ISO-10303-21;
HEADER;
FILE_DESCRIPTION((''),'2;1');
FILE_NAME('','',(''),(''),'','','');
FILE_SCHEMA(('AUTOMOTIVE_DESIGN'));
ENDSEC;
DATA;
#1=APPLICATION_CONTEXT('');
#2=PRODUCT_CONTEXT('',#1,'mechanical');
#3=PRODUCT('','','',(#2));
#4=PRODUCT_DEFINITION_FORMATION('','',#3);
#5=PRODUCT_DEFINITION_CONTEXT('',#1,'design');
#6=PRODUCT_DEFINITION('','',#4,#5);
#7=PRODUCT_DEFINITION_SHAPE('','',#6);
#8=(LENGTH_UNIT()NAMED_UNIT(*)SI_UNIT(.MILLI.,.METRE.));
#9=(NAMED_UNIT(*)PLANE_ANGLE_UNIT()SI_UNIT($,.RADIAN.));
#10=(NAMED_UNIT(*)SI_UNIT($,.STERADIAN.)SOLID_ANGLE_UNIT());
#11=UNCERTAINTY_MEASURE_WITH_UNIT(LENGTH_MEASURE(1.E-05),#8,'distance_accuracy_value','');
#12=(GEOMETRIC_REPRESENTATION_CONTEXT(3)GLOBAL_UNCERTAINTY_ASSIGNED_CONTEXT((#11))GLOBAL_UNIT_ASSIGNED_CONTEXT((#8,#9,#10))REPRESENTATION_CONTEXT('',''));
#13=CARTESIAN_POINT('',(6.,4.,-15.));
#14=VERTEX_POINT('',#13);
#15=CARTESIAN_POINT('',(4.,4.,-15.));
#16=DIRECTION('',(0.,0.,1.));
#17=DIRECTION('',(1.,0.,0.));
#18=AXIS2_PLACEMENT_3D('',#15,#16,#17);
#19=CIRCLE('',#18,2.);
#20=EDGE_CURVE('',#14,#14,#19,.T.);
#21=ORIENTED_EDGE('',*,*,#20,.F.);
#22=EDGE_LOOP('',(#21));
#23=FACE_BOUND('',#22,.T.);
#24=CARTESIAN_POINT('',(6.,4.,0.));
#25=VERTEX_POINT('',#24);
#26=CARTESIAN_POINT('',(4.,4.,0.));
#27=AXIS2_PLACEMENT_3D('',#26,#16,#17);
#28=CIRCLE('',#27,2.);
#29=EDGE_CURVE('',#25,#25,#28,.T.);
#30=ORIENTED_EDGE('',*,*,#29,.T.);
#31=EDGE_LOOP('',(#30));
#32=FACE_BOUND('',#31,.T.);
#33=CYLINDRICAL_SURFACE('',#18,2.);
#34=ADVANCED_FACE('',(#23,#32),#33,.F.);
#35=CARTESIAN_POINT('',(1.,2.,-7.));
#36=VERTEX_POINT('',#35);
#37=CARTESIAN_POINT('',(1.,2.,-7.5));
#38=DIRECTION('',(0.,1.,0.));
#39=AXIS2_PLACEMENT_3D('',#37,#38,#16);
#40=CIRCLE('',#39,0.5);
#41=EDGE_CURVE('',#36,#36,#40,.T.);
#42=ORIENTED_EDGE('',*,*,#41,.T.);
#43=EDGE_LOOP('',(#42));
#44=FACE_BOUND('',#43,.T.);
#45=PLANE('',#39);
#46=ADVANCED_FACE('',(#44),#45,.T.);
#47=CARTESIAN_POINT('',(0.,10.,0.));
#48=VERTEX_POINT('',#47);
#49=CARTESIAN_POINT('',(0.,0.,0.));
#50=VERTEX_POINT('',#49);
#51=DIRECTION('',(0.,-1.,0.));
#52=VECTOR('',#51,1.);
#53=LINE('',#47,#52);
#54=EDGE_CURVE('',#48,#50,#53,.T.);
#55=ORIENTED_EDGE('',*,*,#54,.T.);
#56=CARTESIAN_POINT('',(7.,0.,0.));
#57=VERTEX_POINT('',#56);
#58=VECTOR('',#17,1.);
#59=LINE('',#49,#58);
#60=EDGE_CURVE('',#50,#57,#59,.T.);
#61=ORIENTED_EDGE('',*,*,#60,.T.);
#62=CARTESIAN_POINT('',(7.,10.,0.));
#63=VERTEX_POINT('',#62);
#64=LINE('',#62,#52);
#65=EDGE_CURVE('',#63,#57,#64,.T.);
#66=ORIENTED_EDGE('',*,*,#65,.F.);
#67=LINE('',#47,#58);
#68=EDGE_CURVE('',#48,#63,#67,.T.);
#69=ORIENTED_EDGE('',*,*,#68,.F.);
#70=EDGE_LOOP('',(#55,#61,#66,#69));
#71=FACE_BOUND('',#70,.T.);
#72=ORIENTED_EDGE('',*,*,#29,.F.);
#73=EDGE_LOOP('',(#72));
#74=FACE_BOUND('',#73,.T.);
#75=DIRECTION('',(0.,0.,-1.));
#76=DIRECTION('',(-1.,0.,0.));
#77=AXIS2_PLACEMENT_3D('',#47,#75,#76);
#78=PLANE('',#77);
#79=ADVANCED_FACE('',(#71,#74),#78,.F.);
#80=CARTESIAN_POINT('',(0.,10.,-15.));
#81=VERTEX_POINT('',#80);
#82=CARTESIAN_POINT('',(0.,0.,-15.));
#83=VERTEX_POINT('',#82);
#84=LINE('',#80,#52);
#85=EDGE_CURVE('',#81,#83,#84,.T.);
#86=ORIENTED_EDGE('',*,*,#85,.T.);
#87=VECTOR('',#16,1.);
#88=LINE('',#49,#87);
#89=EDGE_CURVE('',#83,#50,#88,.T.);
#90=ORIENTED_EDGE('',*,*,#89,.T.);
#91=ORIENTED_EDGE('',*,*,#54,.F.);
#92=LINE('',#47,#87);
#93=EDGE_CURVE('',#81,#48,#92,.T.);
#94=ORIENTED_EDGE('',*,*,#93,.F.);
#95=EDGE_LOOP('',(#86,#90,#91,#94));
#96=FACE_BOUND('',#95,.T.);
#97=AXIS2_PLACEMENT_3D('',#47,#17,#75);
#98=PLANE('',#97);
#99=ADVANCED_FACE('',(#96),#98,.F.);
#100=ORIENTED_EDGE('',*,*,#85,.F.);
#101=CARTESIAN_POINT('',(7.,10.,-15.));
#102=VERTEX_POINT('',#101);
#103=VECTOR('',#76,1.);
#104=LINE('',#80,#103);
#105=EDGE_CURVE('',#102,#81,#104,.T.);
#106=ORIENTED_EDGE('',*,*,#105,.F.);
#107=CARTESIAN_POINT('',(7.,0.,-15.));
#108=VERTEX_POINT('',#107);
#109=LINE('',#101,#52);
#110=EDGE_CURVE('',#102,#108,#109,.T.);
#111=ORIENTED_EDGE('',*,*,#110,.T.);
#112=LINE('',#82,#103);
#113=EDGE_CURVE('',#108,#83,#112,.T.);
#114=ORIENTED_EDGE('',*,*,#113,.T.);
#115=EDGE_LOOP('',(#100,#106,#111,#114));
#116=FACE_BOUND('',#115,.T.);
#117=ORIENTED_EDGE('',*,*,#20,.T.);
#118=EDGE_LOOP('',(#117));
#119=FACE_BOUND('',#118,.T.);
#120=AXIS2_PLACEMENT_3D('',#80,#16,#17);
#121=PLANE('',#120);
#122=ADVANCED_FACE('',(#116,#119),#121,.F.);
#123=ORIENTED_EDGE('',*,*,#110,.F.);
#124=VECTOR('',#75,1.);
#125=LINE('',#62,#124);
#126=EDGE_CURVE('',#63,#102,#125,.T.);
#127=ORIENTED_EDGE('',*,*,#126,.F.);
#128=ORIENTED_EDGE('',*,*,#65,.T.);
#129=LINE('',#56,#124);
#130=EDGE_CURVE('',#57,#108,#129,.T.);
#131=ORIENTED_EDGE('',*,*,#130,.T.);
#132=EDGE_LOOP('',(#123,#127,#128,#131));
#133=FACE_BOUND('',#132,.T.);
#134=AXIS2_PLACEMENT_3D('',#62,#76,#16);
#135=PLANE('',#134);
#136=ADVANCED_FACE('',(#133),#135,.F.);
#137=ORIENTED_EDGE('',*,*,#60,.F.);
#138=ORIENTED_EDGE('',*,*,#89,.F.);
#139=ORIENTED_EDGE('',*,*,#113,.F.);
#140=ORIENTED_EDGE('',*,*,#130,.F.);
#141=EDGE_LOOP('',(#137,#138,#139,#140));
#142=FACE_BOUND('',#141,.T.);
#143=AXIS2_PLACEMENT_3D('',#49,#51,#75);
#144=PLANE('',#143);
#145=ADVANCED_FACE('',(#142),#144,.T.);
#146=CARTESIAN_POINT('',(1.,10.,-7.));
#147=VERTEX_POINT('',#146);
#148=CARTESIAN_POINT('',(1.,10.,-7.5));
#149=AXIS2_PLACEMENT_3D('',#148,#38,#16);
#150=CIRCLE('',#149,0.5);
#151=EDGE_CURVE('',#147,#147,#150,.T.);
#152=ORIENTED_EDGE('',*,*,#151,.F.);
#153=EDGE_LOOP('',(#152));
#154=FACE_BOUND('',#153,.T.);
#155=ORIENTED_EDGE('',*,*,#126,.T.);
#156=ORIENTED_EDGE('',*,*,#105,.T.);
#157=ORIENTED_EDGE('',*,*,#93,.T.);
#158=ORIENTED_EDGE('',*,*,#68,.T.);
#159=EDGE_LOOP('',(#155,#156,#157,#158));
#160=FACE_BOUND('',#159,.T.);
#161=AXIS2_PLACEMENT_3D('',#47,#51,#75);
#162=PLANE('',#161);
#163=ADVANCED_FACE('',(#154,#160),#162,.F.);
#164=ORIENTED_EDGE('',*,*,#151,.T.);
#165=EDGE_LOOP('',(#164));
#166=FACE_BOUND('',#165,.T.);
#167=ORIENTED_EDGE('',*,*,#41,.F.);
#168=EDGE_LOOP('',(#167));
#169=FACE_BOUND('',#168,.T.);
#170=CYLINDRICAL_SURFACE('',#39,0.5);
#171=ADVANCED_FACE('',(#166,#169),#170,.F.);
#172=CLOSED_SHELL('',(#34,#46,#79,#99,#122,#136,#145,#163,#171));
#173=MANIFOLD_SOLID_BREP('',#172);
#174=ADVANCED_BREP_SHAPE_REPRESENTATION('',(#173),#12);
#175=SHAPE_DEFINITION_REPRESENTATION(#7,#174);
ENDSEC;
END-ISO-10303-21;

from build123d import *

# Parameters (mm, degrees)
SKETCH_1_W          = 7
SKETCH_1_H          = 15
EXTRUDE_1_DEPTH     = 10
SKETCH_2_R          = 2
CUT_EXTRUDE_1_DEPTH = 16
SKETCH_3_R          = 0.5
CUT_EXTRUDE_2_DEPTH = 8


with BuildPart() as part:
    # 草图1 → 凸台-拉伸1 (new body)
    with BuildSketch(Plane(origin=(0, 0, 0), x_dir=(1, 0, 0), z_dir=(0, 1, 0))):
        with Locations((3.5, 7.5)):
            Rectangle(SKETCH_1_W, SKETCH_1_H)
    extrude(amount=EXTRUDE_1_DEPTH)

    # 草图2 → 切除-拉伸1 (cut, through all)
    with BuildSketch(Plane.XY):
        with Locations((4, 4)):
            Circle(SKETCH_2_R)
    extrude(amount=-CUT_EXTRUDE_1_DEPTH, mode=Mode.SUBTRACT)

    # 草图3 → 切除-拉伸2 (cut)
    with BuildSketch(Plane(origin=(0, 10, 0), x_dir=(1, 0, 0), z_dir=(0, 1, 0))):
        with Locations((1, 7.5)):
            Circle(SKETCH_3_R)
    extrude(amount=-CUT_EXTRUDE_2_DEPTH, mode=Mode.SUBTRACT)


solid = part.part
